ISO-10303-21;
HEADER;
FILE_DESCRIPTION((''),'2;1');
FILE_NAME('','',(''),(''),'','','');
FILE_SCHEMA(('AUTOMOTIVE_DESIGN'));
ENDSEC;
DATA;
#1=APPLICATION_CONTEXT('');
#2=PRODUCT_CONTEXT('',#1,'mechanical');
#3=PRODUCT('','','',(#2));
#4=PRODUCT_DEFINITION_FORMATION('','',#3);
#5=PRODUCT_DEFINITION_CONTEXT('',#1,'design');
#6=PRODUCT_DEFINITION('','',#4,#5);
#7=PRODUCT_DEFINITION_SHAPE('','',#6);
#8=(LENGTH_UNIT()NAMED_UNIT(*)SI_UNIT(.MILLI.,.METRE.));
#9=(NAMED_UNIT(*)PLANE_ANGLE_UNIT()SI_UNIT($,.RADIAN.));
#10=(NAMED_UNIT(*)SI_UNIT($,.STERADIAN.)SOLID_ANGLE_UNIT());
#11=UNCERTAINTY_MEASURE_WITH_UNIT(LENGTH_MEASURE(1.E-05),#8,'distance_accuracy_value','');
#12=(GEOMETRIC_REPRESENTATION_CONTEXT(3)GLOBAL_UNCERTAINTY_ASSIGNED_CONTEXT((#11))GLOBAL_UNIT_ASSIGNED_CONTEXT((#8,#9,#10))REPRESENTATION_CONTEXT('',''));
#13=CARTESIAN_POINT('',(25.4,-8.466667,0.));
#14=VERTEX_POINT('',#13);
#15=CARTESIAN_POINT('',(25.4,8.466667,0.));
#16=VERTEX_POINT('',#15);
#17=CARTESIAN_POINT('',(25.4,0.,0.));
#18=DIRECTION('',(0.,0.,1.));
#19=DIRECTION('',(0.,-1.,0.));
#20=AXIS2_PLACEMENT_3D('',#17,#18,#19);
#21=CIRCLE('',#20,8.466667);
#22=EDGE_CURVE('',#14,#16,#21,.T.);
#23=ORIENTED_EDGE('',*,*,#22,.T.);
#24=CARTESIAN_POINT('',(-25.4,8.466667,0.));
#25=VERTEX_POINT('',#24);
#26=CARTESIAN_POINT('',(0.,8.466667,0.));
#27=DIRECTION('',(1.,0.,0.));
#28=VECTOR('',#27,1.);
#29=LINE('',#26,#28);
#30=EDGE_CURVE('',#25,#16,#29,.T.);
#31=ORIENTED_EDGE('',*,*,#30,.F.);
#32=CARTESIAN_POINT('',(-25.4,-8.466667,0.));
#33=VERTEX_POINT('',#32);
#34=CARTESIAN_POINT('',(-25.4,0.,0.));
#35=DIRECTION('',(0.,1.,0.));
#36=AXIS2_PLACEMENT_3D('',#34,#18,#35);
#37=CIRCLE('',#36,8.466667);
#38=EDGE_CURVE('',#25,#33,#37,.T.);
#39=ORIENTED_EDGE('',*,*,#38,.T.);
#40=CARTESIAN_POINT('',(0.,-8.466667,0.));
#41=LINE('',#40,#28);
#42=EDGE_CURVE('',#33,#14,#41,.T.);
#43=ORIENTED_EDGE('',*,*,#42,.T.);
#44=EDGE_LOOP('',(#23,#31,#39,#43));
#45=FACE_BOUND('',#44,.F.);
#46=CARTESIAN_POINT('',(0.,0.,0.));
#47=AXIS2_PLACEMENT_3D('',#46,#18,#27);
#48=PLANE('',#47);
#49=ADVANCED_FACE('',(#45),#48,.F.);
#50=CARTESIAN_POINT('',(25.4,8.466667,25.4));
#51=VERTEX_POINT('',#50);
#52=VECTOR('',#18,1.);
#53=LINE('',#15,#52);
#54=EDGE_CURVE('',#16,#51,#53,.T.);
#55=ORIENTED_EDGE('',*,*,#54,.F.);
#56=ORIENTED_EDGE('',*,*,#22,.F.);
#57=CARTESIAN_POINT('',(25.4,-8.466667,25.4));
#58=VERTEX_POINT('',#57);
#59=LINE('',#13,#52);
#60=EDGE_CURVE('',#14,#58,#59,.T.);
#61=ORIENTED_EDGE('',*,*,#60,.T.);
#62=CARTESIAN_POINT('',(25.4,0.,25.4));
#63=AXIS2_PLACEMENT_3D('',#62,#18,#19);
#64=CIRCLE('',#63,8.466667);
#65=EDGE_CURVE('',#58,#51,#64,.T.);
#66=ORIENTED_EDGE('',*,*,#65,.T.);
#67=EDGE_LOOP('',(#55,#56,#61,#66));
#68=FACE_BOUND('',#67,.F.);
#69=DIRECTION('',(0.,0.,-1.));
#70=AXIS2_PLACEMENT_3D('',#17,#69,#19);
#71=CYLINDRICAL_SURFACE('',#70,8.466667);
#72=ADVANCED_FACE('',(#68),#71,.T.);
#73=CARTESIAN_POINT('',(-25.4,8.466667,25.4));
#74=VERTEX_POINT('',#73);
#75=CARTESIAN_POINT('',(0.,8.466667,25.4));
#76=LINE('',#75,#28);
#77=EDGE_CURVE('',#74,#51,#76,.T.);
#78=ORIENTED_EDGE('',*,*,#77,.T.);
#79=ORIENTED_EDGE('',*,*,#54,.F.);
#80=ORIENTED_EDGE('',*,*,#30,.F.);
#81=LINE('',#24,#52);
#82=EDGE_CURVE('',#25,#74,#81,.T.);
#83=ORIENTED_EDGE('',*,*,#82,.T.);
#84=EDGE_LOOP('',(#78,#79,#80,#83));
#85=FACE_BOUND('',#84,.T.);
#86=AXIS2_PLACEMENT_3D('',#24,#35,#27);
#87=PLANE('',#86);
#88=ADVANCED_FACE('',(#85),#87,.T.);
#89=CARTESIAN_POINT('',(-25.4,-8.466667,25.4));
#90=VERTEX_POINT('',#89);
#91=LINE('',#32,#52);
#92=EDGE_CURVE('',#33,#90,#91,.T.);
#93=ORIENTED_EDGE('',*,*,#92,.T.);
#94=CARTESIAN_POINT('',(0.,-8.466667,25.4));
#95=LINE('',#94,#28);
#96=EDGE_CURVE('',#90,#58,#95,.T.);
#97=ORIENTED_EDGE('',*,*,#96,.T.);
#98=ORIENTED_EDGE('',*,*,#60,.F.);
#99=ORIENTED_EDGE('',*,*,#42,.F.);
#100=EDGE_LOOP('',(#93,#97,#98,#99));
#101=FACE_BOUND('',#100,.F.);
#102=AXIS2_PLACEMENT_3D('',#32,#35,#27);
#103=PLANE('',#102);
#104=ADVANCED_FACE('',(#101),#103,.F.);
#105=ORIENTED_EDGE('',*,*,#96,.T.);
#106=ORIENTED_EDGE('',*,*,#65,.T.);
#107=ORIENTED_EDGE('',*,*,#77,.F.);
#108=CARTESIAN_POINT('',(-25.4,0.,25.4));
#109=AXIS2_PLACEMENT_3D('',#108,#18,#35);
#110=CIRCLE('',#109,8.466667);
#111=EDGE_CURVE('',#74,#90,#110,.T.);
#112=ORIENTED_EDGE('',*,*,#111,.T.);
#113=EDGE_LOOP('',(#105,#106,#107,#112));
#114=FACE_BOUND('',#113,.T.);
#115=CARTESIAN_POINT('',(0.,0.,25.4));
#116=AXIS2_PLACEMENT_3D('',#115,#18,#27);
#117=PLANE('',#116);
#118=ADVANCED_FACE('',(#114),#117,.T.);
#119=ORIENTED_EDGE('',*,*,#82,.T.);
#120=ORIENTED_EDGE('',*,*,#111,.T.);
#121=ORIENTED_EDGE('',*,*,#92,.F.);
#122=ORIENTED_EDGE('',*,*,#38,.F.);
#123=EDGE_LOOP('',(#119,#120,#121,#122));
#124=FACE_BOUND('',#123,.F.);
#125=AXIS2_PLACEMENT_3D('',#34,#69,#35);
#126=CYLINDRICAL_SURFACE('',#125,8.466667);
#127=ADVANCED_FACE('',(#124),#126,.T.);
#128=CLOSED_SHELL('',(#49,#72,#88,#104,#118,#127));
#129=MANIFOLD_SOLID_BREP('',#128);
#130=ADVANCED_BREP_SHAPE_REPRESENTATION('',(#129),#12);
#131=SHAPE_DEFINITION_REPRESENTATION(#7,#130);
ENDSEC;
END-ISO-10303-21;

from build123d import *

# Parameters (mm, degrees)
F0_W     = 50.8
F0_H     = 16.933334
F1_DEPTH = 25.4


with BuildPart() as f1:
    # F0 (on Top) → F1 (new body)
    with BuildSketch(Plane.XY):
        Rectangle(F0_W, F0_H)
        with BuildLine():
            Line((-25.4, -8.466667), (-25.4, 8.466667))
            ThreePointArc((-25.4, 8.466667), (-33.866667, 0), (-25.4, -8.466667))
        make_face()
        with BuildLine():
            ThreePointArc((25.4, -8.466667), (33.866667, 0), (25.4, 8.466667))
            Line((25.4, 8.466667), (25.4, -8.466667))
        make_face()
    extrude(amount=F1_DEPTH)


solid = f1.part
